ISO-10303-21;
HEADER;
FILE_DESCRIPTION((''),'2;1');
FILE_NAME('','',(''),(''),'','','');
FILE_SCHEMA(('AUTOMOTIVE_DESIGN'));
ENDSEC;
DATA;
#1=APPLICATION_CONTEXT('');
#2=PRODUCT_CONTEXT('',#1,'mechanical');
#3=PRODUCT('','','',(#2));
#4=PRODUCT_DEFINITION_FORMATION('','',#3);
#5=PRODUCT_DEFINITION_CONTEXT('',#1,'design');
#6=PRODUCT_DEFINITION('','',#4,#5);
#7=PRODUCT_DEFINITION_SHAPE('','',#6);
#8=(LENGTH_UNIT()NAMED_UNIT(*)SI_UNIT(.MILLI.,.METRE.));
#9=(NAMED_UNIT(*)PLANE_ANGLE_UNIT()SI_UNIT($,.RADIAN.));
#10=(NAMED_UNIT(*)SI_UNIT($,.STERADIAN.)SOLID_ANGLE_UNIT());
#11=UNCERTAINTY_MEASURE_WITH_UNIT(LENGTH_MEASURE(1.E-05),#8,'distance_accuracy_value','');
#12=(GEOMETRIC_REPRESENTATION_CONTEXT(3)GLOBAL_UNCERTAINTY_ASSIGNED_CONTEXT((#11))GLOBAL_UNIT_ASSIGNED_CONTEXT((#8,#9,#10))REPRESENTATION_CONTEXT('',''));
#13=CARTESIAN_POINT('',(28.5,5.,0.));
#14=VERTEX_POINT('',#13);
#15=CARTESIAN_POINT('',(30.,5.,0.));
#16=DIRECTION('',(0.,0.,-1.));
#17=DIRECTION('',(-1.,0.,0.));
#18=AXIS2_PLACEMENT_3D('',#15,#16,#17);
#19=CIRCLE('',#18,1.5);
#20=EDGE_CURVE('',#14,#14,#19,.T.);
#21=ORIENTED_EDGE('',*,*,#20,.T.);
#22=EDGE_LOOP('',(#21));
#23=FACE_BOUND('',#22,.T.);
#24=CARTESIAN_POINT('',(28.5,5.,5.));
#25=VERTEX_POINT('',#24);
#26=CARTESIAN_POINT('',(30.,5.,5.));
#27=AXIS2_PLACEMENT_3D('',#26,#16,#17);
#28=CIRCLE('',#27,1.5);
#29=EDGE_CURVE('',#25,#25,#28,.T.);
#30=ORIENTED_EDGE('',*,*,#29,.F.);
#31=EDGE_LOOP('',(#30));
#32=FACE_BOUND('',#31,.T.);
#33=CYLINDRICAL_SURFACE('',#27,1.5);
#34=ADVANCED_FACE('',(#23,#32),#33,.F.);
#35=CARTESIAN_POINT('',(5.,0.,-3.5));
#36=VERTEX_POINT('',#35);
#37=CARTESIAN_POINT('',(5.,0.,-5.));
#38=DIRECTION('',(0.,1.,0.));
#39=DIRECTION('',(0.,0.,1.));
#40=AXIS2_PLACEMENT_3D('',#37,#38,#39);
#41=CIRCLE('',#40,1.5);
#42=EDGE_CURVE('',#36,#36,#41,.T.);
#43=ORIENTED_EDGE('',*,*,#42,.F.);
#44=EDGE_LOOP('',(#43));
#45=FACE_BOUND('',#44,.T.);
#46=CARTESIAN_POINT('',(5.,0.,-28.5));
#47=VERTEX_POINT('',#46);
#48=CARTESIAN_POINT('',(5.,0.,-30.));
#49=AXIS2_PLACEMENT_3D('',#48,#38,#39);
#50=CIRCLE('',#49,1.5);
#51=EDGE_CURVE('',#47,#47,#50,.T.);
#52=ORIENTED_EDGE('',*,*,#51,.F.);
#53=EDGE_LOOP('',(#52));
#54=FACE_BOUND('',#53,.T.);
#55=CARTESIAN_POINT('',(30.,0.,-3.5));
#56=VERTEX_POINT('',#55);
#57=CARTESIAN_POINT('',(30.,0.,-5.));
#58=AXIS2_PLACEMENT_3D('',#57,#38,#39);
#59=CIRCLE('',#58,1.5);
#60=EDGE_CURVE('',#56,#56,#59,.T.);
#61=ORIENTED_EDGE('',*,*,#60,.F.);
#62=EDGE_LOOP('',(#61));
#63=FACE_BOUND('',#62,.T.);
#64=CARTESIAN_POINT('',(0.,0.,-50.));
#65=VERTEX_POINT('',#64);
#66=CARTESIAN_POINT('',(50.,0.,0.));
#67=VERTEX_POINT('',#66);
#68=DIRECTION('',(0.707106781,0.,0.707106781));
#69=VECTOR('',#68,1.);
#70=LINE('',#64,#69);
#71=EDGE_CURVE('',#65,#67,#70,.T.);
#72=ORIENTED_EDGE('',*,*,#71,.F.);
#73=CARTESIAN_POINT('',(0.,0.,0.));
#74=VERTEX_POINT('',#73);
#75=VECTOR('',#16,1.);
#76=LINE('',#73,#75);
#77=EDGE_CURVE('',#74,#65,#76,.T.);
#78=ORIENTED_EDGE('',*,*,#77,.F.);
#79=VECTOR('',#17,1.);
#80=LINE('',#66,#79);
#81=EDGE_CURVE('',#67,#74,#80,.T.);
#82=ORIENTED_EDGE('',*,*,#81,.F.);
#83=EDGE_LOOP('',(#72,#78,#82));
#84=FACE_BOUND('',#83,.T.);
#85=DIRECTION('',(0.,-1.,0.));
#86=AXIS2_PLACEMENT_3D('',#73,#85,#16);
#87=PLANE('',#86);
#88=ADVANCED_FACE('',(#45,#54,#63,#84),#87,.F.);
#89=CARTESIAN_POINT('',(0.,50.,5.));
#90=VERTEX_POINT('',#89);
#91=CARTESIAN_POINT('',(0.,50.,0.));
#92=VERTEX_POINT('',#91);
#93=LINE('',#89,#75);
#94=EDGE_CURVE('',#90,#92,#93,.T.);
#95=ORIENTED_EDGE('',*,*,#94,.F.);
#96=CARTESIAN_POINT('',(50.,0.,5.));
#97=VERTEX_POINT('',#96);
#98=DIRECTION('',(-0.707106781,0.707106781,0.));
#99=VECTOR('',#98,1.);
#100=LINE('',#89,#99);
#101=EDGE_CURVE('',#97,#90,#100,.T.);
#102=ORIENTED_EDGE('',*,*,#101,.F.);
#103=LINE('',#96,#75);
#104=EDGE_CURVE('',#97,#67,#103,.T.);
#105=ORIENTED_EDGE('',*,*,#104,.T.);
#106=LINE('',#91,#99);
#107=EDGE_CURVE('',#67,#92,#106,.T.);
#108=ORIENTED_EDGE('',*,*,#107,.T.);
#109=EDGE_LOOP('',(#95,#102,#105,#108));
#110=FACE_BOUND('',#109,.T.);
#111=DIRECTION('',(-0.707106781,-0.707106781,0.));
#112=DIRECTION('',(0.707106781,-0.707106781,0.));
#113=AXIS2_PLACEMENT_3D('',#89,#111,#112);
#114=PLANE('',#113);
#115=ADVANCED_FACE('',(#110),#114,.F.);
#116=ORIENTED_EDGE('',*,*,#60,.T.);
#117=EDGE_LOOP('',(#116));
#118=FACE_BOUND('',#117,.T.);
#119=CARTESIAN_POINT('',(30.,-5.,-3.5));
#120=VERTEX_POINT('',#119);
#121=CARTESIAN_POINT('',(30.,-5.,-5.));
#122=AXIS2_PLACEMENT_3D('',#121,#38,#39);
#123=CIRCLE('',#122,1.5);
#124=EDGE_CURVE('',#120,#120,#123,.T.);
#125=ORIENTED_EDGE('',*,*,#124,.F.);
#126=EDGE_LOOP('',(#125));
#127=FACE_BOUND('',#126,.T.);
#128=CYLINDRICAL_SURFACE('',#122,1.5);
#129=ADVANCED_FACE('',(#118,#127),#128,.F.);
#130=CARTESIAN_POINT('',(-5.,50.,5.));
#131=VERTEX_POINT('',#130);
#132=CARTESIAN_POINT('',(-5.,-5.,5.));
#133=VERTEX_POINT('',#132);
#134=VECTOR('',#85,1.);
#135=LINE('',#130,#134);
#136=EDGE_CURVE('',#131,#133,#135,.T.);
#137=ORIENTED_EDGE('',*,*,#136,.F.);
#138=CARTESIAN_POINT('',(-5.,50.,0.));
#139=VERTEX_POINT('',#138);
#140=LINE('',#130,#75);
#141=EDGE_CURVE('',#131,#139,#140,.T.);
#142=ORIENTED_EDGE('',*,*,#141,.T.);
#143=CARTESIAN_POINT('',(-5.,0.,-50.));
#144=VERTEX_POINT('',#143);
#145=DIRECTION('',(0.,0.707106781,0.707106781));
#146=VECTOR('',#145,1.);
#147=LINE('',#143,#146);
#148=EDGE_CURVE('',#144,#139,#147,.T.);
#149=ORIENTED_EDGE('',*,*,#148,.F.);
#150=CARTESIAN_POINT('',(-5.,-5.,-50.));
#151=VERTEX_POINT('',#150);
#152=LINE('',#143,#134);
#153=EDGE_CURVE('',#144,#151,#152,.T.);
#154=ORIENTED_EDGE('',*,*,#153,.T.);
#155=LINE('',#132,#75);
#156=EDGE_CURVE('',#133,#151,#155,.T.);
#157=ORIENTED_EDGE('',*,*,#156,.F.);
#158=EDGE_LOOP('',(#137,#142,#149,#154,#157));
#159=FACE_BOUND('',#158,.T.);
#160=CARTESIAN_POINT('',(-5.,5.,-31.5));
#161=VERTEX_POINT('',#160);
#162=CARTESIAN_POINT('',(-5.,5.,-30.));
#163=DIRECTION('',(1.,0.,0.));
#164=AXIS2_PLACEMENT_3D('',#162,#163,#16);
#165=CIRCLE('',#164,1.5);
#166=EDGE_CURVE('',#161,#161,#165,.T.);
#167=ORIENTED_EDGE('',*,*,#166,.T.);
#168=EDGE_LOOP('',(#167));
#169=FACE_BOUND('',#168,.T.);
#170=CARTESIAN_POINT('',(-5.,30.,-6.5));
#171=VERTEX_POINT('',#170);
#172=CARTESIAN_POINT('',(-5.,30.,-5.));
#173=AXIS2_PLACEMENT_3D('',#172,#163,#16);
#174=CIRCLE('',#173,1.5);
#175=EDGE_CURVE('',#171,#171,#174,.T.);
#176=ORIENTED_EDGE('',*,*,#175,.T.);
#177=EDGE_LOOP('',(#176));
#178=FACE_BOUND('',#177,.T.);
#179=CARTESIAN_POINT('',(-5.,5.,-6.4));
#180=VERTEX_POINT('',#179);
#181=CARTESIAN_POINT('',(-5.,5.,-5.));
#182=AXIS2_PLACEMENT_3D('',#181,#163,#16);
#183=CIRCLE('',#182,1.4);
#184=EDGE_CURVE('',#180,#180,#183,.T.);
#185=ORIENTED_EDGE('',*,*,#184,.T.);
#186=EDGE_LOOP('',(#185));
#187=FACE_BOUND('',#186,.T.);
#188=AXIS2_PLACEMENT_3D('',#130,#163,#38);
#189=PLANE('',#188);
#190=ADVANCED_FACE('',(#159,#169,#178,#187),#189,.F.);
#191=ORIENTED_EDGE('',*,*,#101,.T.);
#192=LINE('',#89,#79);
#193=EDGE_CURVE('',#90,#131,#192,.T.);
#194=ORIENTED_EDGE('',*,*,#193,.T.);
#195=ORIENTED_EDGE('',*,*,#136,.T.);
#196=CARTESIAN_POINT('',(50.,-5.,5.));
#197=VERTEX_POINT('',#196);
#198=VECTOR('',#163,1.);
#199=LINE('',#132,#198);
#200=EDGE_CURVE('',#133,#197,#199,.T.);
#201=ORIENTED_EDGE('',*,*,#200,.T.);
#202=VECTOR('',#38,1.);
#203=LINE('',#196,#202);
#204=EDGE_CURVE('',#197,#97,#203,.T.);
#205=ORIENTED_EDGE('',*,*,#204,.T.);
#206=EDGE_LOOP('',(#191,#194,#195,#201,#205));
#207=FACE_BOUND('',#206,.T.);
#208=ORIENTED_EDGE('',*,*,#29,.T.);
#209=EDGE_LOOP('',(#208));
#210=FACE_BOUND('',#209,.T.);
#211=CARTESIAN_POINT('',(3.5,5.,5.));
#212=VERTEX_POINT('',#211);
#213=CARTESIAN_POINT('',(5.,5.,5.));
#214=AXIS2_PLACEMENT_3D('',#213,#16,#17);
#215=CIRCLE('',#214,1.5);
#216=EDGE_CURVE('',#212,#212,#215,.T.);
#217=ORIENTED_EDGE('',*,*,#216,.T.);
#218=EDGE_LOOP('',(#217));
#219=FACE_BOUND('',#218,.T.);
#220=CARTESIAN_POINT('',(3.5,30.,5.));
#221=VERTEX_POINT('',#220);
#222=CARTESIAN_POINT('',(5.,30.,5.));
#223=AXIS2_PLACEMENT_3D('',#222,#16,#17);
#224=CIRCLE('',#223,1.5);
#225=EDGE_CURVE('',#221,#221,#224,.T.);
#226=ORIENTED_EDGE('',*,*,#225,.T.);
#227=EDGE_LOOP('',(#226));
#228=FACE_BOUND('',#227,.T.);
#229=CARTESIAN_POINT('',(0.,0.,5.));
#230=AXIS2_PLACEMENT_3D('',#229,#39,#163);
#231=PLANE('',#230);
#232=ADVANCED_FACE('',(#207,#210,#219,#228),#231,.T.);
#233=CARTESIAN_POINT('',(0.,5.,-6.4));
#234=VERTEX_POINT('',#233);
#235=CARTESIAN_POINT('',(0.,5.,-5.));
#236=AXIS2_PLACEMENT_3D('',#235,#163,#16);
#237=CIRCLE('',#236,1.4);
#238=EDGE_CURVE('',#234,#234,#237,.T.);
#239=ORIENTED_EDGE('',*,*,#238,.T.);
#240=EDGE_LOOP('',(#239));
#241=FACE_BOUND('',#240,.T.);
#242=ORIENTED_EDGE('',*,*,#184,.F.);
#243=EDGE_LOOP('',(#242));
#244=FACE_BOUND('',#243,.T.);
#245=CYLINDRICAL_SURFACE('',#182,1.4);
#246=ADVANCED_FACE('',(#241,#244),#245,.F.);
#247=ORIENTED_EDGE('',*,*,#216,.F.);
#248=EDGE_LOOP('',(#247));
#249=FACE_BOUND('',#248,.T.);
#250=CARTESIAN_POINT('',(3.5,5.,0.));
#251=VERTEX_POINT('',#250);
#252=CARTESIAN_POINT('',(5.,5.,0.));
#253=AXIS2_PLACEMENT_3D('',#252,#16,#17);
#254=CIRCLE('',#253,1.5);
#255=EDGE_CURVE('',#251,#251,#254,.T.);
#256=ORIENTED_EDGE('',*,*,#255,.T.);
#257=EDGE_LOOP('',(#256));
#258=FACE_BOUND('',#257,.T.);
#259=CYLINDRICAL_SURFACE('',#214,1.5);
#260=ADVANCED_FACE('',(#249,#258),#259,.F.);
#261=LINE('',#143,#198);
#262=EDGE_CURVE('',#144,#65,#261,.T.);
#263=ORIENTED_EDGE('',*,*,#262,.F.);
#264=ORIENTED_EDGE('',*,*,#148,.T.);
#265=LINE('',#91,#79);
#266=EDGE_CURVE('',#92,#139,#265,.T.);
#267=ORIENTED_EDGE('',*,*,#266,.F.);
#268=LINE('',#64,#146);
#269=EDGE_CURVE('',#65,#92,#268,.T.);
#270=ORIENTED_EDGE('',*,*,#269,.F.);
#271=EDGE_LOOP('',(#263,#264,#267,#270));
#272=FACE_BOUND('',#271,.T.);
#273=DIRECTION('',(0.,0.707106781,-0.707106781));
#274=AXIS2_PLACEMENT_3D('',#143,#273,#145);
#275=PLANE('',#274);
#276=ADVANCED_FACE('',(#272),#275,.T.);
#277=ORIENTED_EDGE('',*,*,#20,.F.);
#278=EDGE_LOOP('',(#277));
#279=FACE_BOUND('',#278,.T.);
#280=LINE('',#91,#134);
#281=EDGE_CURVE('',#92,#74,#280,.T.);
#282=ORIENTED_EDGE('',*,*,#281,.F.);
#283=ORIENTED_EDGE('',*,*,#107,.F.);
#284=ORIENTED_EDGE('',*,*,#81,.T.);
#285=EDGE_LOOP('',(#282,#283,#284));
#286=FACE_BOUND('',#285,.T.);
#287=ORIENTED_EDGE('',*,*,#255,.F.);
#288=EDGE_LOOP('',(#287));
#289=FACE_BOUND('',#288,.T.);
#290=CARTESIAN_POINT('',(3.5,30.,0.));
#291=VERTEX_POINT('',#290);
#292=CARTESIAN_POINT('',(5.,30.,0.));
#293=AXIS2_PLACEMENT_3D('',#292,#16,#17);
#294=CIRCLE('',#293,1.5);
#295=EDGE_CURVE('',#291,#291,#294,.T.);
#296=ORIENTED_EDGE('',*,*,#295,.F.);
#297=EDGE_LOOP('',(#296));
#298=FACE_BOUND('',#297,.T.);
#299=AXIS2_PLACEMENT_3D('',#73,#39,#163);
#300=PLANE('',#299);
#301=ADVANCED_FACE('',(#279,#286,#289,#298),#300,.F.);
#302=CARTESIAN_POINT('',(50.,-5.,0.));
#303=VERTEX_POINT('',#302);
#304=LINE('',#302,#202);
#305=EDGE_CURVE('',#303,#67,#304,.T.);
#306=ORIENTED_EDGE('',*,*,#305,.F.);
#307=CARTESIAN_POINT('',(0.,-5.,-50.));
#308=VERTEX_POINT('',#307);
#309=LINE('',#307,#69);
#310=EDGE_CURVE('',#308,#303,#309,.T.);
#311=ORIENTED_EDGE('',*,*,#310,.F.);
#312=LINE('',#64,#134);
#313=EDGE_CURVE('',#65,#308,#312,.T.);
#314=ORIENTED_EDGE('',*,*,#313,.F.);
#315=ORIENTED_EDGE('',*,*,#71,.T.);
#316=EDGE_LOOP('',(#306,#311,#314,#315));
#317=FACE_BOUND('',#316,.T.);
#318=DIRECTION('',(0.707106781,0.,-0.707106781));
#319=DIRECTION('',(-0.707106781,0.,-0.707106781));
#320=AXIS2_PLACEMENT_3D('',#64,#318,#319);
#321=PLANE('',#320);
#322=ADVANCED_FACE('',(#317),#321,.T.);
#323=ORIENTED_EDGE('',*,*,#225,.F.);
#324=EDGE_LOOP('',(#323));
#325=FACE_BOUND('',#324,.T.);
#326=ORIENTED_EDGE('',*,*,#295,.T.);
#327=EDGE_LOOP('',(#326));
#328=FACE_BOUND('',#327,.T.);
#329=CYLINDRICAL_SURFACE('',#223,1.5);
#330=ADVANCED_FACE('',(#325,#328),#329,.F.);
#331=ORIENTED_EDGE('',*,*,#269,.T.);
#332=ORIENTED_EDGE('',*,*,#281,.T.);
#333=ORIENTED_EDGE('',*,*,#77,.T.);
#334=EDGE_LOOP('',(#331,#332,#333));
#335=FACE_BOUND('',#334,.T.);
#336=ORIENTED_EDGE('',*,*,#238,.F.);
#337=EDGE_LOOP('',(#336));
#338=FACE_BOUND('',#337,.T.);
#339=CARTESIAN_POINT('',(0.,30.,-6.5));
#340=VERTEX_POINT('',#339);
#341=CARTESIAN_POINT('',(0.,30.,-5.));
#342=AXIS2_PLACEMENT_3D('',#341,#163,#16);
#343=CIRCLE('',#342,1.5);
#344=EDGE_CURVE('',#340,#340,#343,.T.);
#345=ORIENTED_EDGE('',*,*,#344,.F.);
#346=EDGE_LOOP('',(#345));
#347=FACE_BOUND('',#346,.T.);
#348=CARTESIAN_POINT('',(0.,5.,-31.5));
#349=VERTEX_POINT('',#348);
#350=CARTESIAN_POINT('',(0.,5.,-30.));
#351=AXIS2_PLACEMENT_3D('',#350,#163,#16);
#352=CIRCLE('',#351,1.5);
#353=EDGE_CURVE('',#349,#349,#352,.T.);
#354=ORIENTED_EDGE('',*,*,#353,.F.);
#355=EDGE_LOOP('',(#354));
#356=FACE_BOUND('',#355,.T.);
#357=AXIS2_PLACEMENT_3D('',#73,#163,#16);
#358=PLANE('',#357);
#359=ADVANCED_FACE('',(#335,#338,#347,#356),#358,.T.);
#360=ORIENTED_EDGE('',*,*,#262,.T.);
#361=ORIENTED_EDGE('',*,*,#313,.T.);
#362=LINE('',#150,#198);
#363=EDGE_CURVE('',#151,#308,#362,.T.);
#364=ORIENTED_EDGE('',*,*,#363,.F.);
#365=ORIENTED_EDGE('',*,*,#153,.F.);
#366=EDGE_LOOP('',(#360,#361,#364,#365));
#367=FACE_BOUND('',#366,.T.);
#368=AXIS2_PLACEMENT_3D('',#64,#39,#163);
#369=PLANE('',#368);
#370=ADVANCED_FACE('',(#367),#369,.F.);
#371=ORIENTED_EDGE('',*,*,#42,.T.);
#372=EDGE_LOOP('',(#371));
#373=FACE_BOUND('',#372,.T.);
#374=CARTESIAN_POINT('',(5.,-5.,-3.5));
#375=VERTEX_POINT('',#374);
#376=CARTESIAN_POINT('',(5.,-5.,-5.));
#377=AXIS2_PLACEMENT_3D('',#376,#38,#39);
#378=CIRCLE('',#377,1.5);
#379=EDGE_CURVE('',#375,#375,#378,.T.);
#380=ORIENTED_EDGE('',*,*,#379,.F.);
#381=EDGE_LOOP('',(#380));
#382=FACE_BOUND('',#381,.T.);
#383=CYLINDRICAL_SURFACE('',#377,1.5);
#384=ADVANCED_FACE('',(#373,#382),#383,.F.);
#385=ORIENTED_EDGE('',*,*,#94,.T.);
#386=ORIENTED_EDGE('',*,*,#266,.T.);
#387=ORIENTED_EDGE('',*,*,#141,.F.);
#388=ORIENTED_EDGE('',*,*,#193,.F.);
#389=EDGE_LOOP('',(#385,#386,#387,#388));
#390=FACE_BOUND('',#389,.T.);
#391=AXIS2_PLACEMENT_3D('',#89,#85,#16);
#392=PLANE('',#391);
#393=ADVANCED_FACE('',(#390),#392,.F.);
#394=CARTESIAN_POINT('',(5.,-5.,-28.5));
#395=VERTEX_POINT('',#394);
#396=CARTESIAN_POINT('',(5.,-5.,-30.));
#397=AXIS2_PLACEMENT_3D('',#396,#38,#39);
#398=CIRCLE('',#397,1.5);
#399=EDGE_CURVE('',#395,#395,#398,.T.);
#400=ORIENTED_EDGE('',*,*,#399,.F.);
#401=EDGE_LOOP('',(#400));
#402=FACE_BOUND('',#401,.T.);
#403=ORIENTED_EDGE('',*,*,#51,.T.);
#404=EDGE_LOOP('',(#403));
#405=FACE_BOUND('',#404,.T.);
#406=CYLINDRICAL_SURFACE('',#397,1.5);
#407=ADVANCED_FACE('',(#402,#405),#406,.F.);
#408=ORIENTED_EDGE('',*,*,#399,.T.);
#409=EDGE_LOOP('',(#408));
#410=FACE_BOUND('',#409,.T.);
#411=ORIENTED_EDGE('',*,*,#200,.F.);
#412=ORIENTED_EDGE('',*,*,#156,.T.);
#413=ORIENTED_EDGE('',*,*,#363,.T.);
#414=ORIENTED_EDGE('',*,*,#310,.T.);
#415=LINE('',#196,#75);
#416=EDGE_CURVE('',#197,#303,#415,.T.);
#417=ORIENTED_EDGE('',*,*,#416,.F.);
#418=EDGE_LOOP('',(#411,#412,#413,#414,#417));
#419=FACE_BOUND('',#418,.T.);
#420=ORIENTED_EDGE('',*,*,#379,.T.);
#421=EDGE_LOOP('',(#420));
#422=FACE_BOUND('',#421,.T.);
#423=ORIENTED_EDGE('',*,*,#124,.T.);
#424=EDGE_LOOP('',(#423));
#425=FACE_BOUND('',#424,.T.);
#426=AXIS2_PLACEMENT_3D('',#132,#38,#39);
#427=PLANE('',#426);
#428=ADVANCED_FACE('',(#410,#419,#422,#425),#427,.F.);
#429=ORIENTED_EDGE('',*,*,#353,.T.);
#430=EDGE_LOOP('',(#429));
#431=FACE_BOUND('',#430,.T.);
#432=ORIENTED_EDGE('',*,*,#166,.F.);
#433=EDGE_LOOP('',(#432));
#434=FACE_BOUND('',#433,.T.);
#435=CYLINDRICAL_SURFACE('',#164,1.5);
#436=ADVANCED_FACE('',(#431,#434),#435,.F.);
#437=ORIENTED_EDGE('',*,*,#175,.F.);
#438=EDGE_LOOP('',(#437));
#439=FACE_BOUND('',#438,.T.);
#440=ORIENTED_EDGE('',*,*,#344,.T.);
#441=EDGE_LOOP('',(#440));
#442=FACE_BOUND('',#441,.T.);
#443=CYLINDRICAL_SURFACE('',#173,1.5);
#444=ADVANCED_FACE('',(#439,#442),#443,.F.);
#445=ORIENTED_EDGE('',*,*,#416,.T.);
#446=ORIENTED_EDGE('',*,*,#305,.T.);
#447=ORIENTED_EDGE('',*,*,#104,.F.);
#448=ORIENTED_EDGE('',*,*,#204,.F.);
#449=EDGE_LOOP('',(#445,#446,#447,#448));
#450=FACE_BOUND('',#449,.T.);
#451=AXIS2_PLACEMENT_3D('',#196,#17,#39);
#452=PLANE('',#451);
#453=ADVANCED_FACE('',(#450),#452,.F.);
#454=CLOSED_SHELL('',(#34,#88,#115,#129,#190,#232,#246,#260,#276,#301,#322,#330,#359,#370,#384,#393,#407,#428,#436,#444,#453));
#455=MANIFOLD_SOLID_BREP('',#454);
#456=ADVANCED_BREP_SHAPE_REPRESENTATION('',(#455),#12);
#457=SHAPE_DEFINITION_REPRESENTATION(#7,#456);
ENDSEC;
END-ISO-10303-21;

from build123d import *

# Parameters (mm, degrees)
EXTRUDE_1_DEPTH     = 5
EXTRUDE_2_DEPTH     = 5
SKETCH_4_W          = 5
SKETCH_4_H          = 5
EXTRUDE_4_DEPTH     = 50
EXTRUDE_13_DEPTH    = 5
SKETCH_8_R          = 1.5
SKETCH_8_R_2        = 1.4
CUT_EXTRUDE_1_DEPTH = 87.602540378
SKETCH_9_R          = 1.5
CUT_EXTRUDE_2_DEPTH = 87.602540378
SKETCH_10_R         = 1.5
CUT_EXTRUDE_3_DEPTH = 87.602540378


with BuildPart() as part:
    # 草图1 → 凸台-拉伸1 (new body)
    with BuildSketch(Plane.XY):
        Polygon((0, 50), (50, 0), (50, -5), (-5, -5), (-5, 50), align=None)
    extrude(amount=EXTRUDE_1_DEPTH)



with BuildPart() as body_2:
    # 草图2 → 凸台-拉伸2 (new body)
    with BuildSketch(Plane(origin=(0, 0, 0), x_dir=(0, 0, -1), z_dir=(1, 0, 0))):
        Polygon((0, 0), (50, 0), (0, 50), align=None)
    extrude(amount=-EXTRUDE_2_DEPTH)

    # 草图4 → 凸台-拉伸4 (add)
    with BuildSketch(Plane.XY):
        with Locations((-2.5, -2.5)):
            Rectangle(SKETCH_4_W, SKETCH_4_H)
    extrude(amount=-EXTRUDE_4_DEPTH)


with BuildPart() as part_1:
    add(part.part)

    add(body_2.part)  # 凸台-拉伸13 merges body 2
    # 草图7 → 凸台-拉伸13 (add)
    with BuildSketch(Plane.XZ.offset(5)):
        Polygon((50, 0), (0, 0), (0, -50), align=None)
    extrude(amount=-EXTRUDE_13_DEPTH)

    # 草图8 → 切除-拉伸1 (cut, through all)
    with BuildSketch(Plane(origin=(0, 0, 0), x_dir=(0, 0, -1), z_dir=(1, 0, 0))):
        with Locations((5, 30)):
            Circle(SKETCH_8_R)
        with Locations((5, 5)):
            Circle(SKETCH_8_R_2)
        with Locations((30, 5)):
            Circle(SKETCH_8_R)
    extrude(amount=-CUT_EXTRUDE_1_DEPTH, mode=Mode.SUBTRACT)

    # 草图9 → 切除-拉伸2 (cut, through all)
    with BuildSketch(Plane(origin=(0, 0, 0), x_dir=(-1, 0, 0), z_dir=(0, 0, -1))):
        with Locations((-5, 30)):
            Circle(SKETCH_9_R)
        with Locations((-5, 5)):
            Circle(SKETCH_9_R)
        with Locations((-30, 5)):
            Circle(SKETCH_9_R)
    extrude(amount=-CUT_EXTRUDE_2_DEPTH, mode=Mode.SUBTRACT)

    # 草图10 → 切除-拉伸3 (cut, through all)
    with BuildSketch(Plane(origin=(0, 0, 0), x_dir=(1, 0, 0), z_dir=(0, 1, 0))):
        with Locations(Location((5, 30, 0), (0, 0, 270))):
            Circle(SKETCH_10_R)
        with Locations(Location((5, 5, 0), (0, 0, 270))):
            Circle(SKETCH_10_R)
        with Locations(Location((30, 5, 0), (0, 0, 270))):
            Circle(SKETCH_10_R)
    extrude(amount=-CUT_EXTRUDE_3_DEPTH, mode=Mode.SUBTRACT)


solid = part_1.part
